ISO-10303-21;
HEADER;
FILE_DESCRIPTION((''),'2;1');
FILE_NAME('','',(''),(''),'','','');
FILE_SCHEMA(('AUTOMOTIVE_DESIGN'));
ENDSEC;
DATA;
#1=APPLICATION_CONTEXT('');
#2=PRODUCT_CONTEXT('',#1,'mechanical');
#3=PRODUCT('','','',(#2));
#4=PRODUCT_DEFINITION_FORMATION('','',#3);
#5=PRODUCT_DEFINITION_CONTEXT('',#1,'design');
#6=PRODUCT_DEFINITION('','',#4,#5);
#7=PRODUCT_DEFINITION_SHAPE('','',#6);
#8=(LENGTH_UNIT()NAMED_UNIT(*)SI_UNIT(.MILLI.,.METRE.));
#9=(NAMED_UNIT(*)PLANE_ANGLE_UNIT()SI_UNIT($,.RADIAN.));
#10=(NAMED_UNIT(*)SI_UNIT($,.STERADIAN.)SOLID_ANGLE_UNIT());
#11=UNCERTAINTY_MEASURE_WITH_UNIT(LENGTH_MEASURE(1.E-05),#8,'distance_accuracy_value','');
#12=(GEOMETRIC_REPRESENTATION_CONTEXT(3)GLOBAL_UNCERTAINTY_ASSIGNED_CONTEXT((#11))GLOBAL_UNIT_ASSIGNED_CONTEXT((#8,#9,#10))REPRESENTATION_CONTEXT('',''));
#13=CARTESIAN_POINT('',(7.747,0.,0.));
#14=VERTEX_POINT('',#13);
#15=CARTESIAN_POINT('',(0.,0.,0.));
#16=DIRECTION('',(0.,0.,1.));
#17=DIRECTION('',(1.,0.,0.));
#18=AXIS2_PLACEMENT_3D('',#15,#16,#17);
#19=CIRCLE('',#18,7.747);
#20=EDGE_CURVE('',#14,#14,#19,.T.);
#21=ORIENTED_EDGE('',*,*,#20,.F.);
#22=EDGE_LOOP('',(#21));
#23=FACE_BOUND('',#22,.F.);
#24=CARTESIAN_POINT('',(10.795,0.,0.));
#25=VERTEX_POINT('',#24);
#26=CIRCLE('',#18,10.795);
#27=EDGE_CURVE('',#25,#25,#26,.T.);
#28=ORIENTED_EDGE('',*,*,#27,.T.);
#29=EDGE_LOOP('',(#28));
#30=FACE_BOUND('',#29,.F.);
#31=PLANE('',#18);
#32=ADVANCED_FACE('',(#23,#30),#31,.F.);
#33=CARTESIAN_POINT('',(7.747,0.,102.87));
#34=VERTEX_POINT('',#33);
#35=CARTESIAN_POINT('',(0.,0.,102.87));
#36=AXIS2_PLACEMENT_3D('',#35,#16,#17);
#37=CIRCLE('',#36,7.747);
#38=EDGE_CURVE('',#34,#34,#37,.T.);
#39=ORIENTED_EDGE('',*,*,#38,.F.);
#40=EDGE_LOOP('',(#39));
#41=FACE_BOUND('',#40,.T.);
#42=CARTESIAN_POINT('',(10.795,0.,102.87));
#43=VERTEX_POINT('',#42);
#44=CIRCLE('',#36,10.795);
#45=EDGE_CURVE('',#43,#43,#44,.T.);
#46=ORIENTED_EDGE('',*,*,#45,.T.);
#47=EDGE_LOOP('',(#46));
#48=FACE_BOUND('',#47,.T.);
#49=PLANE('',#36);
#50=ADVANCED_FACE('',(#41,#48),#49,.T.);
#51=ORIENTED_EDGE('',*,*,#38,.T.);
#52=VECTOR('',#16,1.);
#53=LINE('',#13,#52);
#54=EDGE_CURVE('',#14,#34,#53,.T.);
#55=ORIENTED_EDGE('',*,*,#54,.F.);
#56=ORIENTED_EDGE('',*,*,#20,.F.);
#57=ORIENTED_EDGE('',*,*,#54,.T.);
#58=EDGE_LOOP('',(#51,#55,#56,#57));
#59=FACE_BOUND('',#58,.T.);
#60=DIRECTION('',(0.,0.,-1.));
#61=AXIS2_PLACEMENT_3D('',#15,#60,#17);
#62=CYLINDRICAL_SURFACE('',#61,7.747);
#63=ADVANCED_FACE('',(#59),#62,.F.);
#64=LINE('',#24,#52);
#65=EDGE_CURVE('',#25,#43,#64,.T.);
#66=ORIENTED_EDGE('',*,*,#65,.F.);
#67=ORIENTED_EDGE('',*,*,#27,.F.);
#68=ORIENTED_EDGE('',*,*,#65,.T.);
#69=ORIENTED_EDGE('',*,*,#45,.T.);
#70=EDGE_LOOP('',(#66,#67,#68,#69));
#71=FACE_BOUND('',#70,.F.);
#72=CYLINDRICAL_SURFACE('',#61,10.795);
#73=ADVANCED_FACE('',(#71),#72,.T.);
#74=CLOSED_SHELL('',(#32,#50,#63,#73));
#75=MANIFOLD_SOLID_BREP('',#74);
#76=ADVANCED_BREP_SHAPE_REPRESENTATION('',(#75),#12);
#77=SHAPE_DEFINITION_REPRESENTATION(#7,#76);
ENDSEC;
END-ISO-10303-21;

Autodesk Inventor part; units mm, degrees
ref_plane "YZ Plane" through (0, 0, 0) normal (1, 0, 0) x (0, 1, 0)
ref_plane "XZ Plane" through (0, 0, 0) normal (0, 1, 0) x (-1, 0, 0)
ref_plane "XY Plane" through (0, 0, 0) normal (0, 0, 1) x (1, 0, 0)
sketch "Sketch1" plane through (0, 0, 0) normal (0, 0, 1) x (1, 0, 0)
  circle A0 centre (0, 0) radius 7.747
  circle A1 centre (0, 0) radius 10.795
  dimension "d0" = 21.59
  dimension "d2" = 15.494
extrude "Extrusion1" add sketch "Sketch1" along normal blind 102.87
properties part number "2.45 Pipe" material "PVC-Piping"
